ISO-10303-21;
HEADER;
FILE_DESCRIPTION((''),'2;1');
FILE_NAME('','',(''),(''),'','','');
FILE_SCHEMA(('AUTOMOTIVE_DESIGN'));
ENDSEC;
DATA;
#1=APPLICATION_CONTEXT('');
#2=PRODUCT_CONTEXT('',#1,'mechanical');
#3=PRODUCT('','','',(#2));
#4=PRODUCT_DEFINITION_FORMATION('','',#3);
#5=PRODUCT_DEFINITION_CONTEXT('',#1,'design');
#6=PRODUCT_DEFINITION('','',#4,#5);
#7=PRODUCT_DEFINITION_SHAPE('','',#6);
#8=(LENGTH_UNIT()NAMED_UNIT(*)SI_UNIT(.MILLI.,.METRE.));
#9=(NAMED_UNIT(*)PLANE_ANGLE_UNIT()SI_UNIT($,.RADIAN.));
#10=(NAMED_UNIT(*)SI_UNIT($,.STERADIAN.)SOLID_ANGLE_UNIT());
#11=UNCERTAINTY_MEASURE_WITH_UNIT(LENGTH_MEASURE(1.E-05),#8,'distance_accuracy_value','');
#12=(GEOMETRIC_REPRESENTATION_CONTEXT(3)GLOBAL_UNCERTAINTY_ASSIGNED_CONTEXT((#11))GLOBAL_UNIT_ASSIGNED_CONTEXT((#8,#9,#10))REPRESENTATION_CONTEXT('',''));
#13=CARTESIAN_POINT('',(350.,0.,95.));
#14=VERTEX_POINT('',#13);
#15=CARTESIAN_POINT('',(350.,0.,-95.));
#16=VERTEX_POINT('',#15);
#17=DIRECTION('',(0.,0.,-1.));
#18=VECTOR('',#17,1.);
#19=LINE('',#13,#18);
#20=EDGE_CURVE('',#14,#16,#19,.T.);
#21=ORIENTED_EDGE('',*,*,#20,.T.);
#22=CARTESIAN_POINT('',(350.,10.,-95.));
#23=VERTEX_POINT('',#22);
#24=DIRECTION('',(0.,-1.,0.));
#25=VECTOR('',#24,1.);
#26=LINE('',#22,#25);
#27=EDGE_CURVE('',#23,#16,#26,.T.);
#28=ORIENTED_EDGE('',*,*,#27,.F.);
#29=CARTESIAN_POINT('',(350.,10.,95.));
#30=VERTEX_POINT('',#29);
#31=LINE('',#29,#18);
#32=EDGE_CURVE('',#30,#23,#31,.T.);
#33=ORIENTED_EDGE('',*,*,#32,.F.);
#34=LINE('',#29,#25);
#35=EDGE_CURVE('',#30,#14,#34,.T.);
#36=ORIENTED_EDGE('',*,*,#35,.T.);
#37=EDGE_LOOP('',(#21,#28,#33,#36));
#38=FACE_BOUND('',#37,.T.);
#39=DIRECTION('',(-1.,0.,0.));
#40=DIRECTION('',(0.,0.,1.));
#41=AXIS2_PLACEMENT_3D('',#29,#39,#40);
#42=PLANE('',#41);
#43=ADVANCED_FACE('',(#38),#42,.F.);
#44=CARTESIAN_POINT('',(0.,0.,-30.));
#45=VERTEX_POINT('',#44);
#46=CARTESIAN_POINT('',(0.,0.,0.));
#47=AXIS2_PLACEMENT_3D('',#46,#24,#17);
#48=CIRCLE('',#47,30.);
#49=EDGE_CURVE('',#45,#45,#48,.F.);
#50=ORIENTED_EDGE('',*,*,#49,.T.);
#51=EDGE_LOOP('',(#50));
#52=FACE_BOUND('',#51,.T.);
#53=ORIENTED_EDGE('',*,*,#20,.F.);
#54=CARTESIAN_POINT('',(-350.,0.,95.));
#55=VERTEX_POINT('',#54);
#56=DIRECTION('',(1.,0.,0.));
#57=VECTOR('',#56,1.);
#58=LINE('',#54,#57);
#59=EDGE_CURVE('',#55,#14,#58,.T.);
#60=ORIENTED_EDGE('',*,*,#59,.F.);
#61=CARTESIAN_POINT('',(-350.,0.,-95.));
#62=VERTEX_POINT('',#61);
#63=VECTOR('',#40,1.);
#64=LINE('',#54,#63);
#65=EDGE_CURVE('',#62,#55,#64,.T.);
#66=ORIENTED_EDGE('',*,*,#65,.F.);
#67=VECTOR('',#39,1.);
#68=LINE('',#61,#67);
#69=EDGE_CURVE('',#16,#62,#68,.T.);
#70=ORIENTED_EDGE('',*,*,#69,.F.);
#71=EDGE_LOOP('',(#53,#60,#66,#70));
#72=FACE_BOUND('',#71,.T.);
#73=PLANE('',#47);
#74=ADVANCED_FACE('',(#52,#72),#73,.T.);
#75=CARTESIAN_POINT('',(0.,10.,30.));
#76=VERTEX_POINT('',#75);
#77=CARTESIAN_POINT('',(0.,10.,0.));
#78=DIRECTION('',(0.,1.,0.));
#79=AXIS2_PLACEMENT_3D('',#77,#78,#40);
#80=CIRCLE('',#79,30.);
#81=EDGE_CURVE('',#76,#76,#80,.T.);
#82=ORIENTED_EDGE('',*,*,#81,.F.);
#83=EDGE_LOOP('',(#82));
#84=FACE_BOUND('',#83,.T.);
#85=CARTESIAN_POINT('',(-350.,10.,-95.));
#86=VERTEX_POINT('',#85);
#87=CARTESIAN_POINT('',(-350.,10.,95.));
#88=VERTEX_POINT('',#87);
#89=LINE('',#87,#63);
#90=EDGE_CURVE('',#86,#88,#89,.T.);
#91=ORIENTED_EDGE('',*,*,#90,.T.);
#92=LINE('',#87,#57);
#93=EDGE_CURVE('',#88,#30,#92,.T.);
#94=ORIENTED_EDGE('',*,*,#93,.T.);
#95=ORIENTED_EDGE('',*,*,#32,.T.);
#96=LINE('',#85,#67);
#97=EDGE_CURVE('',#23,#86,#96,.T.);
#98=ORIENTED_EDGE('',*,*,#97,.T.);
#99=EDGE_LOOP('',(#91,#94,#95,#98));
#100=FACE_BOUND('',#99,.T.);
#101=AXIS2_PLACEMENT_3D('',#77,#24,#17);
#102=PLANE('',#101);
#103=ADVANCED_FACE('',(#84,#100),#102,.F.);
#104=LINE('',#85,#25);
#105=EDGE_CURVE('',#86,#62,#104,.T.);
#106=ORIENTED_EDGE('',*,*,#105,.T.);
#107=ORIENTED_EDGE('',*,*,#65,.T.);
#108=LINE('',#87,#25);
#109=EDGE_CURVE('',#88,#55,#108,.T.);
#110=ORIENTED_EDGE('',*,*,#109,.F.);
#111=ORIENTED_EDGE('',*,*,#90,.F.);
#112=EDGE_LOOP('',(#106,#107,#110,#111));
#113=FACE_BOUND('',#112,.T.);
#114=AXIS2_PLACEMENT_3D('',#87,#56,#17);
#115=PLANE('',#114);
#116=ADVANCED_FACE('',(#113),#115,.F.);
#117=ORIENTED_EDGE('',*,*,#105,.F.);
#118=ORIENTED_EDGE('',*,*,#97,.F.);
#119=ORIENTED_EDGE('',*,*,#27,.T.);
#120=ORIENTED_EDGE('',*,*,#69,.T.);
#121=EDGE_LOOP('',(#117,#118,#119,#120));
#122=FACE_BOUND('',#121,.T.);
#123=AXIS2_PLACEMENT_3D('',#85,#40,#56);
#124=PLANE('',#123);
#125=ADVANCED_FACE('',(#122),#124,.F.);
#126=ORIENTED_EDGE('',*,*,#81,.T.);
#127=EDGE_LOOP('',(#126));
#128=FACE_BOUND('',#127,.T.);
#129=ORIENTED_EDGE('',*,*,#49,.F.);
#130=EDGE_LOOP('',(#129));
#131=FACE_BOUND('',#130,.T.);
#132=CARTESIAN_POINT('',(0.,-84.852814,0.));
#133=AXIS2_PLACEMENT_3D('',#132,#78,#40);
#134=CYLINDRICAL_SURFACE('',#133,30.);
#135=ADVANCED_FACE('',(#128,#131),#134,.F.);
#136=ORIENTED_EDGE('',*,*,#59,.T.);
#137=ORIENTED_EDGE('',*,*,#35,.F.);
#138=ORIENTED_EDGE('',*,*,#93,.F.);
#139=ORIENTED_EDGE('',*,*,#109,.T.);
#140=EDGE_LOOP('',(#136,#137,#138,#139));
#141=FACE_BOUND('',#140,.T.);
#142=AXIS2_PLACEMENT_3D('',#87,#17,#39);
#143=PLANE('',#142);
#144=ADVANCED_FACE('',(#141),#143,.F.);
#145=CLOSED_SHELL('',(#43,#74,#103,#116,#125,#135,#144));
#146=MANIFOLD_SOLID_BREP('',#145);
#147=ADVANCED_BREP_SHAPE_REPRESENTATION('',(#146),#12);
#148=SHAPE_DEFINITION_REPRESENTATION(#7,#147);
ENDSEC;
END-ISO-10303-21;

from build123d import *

# Parameters (mm, degrees)
CROQUIS1_W              = 700
CROQUIS1_H              = 190
SALIENTE_EXTRUIR1_DEPTH = 10
CROQUIS2_R              = 30
CORTAR_EXTRUIR1_DEPTH   = 10


with BuildPart() as part:
    # Croquis1 → Saliente-Extruir1 (new body)
    with BuildSketch(Plane(origin=(0, 0, 0), x_dir=(1, 0, 0), z_dir=(0, 1, 0))):
        Rectangle(CROQUIS1_W, CROQUIS1_H)
    extrude(amount=SALIENTE_EXTRUIR1_DEPTH)

    # Croquis2 → Cortar-Extruir1 (cut)
    with BuildSketch(Plane(origin=(0, 10, 0), x_dir=(1, 0, 0), z_dir=(0, 1, 0))):
        with Locations(Location((0, 0, 0), (0, 0, 270))):
            Circle(CROQUIS2_R)
    extrude(amount=-CORTAR_EXTRUIR1_DEPTH, mode=Mode.SUBTRACT)


solid = part.part
